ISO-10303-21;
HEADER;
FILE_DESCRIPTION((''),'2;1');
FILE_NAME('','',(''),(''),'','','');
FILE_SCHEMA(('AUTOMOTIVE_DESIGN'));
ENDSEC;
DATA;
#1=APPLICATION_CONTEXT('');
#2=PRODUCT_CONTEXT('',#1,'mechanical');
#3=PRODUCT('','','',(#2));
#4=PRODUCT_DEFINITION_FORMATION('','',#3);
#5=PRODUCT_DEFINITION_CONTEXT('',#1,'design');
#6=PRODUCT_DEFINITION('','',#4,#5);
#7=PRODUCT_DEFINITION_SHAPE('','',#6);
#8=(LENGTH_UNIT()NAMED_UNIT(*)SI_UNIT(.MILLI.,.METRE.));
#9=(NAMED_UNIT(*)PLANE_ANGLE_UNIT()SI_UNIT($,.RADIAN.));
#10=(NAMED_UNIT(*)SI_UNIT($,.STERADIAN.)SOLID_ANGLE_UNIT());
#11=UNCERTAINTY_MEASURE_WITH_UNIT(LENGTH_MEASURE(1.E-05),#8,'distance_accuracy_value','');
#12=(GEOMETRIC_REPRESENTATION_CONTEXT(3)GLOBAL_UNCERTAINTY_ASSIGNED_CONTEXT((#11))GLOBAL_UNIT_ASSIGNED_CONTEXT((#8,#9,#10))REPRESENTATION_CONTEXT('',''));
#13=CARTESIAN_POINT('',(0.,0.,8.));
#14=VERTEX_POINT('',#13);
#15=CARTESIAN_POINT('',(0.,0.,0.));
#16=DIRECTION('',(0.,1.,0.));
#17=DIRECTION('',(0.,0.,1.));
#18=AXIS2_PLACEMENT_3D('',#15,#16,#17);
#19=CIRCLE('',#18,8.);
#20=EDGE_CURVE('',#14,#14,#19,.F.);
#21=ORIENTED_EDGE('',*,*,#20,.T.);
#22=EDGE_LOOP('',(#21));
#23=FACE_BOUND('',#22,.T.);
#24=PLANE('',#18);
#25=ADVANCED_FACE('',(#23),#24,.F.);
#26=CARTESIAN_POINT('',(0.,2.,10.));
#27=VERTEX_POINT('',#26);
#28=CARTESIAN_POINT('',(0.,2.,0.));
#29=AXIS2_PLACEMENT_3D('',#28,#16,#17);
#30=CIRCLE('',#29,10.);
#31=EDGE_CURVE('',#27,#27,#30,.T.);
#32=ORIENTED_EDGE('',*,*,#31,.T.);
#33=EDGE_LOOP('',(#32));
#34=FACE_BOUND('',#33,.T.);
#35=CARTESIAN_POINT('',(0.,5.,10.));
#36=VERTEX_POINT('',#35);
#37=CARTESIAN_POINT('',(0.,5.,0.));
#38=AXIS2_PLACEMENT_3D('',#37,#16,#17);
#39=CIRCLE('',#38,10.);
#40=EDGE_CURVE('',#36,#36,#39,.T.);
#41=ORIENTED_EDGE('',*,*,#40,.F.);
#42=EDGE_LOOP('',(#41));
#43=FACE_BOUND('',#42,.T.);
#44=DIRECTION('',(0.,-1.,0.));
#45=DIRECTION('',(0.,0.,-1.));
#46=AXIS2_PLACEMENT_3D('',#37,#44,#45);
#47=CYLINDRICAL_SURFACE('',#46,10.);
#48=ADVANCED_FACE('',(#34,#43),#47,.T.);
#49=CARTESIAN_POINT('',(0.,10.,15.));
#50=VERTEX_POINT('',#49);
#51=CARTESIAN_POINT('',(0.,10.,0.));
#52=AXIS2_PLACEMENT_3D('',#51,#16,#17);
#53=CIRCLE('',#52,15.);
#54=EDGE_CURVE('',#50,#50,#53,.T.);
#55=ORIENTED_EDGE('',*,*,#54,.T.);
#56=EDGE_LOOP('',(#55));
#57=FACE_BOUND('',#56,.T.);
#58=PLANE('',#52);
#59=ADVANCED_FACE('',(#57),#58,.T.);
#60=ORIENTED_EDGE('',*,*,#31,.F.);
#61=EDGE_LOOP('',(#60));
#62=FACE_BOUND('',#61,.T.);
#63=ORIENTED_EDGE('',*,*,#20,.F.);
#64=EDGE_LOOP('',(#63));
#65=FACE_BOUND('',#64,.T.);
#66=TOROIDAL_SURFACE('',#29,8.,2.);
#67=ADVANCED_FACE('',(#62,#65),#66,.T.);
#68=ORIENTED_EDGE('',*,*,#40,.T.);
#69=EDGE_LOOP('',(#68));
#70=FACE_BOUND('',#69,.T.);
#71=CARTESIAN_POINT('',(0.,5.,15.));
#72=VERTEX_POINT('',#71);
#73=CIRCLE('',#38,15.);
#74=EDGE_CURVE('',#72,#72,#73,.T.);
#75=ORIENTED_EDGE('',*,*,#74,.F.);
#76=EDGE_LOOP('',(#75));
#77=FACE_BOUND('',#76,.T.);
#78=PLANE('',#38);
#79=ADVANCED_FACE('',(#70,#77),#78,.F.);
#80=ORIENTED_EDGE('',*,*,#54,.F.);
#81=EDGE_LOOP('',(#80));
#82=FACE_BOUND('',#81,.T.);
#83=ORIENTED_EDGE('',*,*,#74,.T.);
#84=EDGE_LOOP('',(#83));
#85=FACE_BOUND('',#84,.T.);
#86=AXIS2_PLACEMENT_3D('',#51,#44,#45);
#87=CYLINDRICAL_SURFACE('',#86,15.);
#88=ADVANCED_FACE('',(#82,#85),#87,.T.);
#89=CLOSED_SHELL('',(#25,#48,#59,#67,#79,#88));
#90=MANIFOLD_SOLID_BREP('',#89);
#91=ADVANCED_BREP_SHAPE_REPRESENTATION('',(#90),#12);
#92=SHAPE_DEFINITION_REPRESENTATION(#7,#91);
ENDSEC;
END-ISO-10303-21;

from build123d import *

# Parameters (mm, degrees)
SZKIC1_R                    = 10
DODANIE_WYCI_GNI_CIE1_DEPTH = 5
ZAOKR_GLENIE3_R             = 2
SZKIC2_R                    = 15
DODANIE_WYCI_GNI_CIE2_DEPTH = 5


with BuildPart() as part:
    # Szkic1 → Dodanie-wyciągnięcie1 (new body)
    with BuildSketch(Plane(origin=(0, 0, 0), x_dir=(1, 0, 0), z_dir=(0, 1, 0))):
        with Locations(Location((0, 0, 0), (0, 0, 270))):
            Circle(SZKIC1_R)
    extrude(amount=DODANIE_WYCI_GNI_CIE1_DEPTH)

    # Zaokrąglenie3
    zaokr_glenie3_edges = [part.edges().sort_by_distance(p)[0] for p in [
        (0, 0, -10),
    ]]
    fillet(zaokr_glenie3_edges, radius=ZAOKR_GLENIE3_R)

    # Szkic2 → Dodanie-wyciągnięcie2 (add)
    with BuildSketch(Plane(origin=(0, 5, 0), x_dir=(1, 0, 0), z_dir=(0, 1, 0))):
        with Locations(Location((0, 0, 0), (0, 0, 270))):
            Circle(SZKIC2_R)
    extrude(amount=DODANIE_WYCI_GNI_CIE2_DEPTH)


solid = part.part
